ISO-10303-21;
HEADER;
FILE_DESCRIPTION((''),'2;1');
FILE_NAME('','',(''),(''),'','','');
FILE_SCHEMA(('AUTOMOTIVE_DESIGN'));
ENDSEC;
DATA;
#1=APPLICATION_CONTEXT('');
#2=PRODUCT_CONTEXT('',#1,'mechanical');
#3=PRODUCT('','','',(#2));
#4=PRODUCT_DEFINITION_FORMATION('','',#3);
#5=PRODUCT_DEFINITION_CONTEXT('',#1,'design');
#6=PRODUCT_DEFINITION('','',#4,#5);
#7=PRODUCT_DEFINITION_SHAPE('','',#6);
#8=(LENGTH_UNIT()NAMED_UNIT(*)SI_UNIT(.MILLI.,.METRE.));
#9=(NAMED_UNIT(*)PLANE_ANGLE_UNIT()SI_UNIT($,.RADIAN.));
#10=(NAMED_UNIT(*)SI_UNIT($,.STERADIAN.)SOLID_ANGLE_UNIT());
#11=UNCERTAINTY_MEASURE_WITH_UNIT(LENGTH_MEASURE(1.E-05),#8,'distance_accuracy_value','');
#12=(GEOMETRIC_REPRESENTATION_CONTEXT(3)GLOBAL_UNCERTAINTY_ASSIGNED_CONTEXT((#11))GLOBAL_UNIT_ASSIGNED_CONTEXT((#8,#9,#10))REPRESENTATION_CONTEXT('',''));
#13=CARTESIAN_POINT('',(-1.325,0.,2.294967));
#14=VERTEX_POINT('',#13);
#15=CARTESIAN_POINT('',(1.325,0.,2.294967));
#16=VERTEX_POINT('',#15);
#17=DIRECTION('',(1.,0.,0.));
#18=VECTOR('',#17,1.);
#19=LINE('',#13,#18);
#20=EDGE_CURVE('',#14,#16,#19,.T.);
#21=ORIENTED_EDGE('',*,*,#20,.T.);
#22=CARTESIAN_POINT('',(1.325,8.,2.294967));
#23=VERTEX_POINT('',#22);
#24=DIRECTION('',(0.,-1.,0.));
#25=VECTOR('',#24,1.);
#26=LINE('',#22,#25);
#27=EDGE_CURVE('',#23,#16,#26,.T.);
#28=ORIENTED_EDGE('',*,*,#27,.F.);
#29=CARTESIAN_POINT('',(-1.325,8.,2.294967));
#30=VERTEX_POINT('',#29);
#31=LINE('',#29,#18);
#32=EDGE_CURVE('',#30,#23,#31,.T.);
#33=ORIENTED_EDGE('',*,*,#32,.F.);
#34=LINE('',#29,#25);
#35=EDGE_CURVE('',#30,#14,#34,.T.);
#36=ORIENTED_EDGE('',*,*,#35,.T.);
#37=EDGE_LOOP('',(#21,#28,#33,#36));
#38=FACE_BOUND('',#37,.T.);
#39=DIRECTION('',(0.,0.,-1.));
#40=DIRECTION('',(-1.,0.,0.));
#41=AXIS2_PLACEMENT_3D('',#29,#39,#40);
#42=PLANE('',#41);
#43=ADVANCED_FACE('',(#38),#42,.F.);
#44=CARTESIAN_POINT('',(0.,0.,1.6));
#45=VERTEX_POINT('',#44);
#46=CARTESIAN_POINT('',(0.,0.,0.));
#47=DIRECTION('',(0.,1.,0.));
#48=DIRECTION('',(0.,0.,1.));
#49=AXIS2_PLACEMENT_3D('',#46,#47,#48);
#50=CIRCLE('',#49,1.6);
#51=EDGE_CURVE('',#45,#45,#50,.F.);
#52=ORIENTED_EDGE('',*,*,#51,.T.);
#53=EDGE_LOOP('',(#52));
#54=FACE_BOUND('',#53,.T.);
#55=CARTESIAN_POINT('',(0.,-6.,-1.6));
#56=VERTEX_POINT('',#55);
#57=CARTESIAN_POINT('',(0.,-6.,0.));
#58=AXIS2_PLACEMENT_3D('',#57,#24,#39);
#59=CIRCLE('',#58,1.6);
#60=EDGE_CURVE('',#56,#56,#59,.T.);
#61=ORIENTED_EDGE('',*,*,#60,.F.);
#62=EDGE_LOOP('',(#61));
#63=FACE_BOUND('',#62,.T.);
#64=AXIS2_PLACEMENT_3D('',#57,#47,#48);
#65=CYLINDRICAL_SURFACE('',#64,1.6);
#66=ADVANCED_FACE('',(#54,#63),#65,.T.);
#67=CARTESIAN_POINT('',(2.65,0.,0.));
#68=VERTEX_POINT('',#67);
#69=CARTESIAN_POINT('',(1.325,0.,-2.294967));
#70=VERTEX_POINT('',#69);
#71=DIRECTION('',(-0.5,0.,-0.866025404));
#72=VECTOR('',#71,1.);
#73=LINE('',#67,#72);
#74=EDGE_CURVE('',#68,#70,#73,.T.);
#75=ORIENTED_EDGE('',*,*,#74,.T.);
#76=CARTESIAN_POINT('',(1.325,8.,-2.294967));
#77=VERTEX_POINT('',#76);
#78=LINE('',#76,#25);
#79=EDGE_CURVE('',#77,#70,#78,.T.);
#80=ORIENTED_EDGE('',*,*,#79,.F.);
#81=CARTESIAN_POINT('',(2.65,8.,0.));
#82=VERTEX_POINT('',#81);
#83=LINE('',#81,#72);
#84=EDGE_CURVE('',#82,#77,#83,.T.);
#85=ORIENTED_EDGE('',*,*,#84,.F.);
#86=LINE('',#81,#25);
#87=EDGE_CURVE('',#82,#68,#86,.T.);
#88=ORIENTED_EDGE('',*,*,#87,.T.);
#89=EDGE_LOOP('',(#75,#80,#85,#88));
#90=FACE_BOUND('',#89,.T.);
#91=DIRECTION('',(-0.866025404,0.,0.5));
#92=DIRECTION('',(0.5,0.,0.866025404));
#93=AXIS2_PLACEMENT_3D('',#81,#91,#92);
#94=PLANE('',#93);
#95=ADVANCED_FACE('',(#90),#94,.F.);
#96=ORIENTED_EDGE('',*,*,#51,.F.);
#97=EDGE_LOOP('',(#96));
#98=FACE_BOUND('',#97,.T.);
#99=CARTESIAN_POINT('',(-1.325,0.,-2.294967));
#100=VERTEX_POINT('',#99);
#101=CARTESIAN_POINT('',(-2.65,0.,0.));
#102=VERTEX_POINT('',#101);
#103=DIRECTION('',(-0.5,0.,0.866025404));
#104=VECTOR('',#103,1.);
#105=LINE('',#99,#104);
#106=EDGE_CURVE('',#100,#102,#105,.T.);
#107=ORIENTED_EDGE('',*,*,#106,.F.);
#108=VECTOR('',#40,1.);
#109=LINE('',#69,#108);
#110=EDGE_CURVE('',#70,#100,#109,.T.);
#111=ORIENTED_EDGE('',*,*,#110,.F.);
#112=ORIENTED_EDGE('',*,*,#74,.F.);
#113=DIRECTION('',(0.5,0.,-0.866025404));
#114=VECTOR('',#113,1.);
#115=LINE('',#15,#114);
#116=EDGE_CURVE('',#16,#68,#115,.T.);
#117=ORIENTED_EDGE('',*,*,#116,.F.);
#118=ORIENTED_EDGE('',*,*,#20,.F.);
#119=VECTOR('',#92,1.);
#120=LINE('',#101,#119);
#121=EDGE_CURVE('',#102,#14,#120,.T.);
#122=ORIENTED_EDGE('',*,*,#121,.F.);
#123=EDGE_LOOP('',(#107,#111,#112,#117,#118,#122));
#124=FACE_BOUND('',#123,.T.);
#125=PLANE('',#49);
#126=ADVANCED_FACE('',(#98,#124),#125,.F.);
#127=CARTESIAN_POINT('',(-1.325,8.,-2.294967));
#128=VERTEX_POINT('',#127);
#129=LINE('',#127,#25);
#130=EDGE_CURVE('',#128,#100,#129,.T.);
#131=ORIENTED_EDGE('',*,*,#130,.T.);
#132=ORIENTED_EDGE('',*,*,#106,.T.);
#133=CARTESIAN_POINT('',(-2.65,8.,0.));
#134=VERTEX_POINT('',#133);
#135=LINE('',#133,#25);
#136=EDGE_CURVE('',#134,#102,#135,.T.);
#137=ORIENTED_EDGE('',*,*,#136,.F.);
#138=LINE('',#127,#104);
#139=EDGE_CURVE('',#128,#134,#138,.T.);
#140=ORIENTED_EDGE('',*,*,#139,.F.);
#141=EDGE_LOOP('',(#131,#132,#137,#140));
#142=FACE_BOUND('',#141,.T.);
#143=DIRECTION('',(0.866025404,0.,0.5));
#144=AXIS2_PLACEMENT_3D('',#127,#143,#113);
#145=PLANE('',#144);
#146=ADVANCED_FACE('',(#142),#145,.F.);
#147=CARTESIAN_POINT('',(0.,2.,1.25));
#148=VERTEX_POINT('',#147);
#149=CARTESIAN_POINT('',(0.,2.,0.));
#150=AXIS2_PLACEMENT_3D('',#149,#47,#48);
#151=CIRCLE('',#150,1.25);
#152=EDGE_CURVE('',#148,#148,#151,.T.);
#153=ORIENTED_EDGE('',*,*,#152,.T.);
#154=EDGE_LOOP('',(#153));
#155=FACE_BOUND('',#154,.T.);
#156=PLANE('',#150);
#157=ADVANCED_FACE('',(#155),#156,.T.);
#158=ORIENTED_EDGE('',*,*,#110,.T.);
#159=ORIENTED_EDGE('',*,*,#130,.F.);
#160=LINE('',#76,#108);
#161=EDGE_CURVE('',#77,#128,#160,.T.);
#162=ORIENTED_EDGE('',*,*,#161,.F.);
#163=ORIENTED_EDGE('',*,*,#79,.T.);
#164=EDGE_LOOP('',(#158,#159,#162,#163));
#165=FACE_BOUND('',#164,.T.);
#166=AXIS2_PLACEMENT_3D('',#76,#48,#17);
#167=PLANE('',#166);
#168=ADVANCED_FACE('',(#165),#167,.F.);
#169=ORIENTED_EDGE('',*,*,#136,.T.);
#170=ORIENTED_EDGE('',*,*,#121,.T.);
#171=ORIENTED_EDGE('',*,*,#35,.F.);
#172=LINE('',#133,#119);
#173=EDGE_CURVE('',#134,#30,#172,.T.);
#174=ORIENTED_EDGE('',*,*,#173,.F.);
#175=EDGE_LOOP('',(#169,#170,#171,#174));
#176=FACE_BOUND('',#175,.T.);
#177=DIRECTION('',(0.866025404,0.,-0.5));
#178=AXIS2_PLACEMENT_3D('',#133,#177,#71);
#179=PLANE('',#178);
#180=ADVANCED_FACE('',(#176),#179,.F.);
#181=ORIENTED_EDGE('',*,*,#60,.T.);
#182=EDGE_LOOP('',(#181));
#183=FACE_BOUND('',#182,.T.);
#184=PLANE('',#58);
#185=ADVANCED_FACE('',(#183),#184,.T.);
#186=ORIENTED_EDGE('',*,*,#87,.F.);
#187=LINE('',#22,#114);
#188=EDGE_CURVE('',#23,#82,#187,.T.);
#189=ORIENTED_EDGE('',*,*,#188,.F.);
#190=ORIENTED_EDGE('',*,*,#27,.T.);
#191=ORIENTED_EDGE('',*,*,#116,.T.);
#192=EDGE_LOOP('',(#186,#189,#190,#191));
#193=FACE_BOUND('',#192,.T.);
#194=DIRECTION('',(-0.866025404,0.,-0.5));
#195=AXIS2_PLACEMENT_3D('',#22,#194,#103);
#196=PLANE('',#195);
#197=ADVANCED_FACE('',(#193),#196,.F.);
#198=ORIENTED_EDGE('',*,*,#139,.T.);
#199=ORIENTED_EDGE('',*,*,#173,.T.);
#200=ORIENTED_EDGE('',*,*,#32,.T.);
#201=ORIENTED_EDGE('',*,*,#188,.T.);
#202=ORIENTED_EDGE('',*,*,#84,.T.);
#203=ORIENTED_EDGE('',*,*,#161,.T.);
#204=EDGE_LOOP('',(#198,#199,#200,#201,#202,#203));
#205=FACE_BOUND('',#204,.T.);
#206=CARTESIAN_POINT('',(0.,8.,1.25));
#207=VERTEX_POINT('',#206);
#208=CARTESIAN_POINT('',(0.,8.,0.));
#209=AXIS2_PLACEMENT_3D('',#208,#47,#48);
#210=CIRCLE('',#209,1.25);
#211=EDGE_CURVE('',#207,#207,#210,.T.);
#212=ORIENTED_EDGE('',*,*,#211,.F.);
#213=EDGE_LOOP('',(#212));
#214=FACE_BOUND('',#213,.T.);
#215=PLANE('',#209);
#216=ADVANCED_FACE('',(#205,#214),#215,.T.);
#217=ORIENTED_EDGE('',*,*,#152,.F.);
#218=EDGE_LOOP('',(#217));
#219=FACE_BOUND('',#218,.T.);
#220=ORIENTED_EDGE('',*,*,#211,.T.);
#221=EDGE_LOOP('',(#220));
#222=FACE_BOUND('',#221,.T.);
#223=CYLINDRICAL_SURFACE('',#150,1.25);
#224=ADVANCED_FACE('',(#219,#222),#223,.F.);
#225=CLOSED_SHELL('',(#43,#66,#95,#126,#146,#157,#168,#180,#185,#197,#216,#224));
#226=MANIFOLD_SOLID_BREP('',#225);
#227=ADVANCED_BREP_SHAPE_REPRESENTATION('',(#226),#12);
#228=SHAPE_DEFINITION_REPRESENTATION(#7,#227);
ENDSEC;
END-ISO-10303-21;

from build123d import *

# Parameters (mm, degrees)
EXTRUDE_1_DEPTH     = 8
SKETCH_6_R          = 1.6
EXTRUDE_2_DEPTH     = 6
SKETCH_7_R          = 1.25
CUT_EXTRUDE_1_DEPTH = 6


with BuildPart() as part:
    # 草图4 → 凸台-拉伸1 (new body)
    with BuildSketch(Plane(origin=(0, 0, 0), x_dir=(1, 0, 0), z_dir=(0, 1, 0))):
        Polygon((1.325, -2.29496732), (2.65, 0), (1.325, 2.29496732), (-1.325, 2.29496732), (-2.65, 0), (-1.325, -2.29496732), align=None)
    extrude(amount=EXTRUDE_1_DEPTH)

    # 草图6 → 凸台-拉伸2 (add)
    with BuildSketch(Plane(origin=(0, 0, 0), x_dir=(-1, 0, 0), z_dir=(0, -1, 0))):
        with Locations(Location((0, 0, 0), (0, 0, 270))):
            Circle(SKETCH_6_R)
    extrude(amount=EXTRUDE_2_DEPTH)

    # 草图7 → 切除-拉伸1 (cut)
    with BuildSketch(Plane(origin=(0, 8, 0), x_dir=(1, 0, 0), z_dir=(0, 1, 0))):
        with Locations(Location((0, 0, 0), (0, 0, 270))):
            Circle(SKETCH_7_R)
    extrude(amount=-CUT_EXTRUDE_1_DEPTH, mode=Mode.SUBTRACT)


solid = part.part
